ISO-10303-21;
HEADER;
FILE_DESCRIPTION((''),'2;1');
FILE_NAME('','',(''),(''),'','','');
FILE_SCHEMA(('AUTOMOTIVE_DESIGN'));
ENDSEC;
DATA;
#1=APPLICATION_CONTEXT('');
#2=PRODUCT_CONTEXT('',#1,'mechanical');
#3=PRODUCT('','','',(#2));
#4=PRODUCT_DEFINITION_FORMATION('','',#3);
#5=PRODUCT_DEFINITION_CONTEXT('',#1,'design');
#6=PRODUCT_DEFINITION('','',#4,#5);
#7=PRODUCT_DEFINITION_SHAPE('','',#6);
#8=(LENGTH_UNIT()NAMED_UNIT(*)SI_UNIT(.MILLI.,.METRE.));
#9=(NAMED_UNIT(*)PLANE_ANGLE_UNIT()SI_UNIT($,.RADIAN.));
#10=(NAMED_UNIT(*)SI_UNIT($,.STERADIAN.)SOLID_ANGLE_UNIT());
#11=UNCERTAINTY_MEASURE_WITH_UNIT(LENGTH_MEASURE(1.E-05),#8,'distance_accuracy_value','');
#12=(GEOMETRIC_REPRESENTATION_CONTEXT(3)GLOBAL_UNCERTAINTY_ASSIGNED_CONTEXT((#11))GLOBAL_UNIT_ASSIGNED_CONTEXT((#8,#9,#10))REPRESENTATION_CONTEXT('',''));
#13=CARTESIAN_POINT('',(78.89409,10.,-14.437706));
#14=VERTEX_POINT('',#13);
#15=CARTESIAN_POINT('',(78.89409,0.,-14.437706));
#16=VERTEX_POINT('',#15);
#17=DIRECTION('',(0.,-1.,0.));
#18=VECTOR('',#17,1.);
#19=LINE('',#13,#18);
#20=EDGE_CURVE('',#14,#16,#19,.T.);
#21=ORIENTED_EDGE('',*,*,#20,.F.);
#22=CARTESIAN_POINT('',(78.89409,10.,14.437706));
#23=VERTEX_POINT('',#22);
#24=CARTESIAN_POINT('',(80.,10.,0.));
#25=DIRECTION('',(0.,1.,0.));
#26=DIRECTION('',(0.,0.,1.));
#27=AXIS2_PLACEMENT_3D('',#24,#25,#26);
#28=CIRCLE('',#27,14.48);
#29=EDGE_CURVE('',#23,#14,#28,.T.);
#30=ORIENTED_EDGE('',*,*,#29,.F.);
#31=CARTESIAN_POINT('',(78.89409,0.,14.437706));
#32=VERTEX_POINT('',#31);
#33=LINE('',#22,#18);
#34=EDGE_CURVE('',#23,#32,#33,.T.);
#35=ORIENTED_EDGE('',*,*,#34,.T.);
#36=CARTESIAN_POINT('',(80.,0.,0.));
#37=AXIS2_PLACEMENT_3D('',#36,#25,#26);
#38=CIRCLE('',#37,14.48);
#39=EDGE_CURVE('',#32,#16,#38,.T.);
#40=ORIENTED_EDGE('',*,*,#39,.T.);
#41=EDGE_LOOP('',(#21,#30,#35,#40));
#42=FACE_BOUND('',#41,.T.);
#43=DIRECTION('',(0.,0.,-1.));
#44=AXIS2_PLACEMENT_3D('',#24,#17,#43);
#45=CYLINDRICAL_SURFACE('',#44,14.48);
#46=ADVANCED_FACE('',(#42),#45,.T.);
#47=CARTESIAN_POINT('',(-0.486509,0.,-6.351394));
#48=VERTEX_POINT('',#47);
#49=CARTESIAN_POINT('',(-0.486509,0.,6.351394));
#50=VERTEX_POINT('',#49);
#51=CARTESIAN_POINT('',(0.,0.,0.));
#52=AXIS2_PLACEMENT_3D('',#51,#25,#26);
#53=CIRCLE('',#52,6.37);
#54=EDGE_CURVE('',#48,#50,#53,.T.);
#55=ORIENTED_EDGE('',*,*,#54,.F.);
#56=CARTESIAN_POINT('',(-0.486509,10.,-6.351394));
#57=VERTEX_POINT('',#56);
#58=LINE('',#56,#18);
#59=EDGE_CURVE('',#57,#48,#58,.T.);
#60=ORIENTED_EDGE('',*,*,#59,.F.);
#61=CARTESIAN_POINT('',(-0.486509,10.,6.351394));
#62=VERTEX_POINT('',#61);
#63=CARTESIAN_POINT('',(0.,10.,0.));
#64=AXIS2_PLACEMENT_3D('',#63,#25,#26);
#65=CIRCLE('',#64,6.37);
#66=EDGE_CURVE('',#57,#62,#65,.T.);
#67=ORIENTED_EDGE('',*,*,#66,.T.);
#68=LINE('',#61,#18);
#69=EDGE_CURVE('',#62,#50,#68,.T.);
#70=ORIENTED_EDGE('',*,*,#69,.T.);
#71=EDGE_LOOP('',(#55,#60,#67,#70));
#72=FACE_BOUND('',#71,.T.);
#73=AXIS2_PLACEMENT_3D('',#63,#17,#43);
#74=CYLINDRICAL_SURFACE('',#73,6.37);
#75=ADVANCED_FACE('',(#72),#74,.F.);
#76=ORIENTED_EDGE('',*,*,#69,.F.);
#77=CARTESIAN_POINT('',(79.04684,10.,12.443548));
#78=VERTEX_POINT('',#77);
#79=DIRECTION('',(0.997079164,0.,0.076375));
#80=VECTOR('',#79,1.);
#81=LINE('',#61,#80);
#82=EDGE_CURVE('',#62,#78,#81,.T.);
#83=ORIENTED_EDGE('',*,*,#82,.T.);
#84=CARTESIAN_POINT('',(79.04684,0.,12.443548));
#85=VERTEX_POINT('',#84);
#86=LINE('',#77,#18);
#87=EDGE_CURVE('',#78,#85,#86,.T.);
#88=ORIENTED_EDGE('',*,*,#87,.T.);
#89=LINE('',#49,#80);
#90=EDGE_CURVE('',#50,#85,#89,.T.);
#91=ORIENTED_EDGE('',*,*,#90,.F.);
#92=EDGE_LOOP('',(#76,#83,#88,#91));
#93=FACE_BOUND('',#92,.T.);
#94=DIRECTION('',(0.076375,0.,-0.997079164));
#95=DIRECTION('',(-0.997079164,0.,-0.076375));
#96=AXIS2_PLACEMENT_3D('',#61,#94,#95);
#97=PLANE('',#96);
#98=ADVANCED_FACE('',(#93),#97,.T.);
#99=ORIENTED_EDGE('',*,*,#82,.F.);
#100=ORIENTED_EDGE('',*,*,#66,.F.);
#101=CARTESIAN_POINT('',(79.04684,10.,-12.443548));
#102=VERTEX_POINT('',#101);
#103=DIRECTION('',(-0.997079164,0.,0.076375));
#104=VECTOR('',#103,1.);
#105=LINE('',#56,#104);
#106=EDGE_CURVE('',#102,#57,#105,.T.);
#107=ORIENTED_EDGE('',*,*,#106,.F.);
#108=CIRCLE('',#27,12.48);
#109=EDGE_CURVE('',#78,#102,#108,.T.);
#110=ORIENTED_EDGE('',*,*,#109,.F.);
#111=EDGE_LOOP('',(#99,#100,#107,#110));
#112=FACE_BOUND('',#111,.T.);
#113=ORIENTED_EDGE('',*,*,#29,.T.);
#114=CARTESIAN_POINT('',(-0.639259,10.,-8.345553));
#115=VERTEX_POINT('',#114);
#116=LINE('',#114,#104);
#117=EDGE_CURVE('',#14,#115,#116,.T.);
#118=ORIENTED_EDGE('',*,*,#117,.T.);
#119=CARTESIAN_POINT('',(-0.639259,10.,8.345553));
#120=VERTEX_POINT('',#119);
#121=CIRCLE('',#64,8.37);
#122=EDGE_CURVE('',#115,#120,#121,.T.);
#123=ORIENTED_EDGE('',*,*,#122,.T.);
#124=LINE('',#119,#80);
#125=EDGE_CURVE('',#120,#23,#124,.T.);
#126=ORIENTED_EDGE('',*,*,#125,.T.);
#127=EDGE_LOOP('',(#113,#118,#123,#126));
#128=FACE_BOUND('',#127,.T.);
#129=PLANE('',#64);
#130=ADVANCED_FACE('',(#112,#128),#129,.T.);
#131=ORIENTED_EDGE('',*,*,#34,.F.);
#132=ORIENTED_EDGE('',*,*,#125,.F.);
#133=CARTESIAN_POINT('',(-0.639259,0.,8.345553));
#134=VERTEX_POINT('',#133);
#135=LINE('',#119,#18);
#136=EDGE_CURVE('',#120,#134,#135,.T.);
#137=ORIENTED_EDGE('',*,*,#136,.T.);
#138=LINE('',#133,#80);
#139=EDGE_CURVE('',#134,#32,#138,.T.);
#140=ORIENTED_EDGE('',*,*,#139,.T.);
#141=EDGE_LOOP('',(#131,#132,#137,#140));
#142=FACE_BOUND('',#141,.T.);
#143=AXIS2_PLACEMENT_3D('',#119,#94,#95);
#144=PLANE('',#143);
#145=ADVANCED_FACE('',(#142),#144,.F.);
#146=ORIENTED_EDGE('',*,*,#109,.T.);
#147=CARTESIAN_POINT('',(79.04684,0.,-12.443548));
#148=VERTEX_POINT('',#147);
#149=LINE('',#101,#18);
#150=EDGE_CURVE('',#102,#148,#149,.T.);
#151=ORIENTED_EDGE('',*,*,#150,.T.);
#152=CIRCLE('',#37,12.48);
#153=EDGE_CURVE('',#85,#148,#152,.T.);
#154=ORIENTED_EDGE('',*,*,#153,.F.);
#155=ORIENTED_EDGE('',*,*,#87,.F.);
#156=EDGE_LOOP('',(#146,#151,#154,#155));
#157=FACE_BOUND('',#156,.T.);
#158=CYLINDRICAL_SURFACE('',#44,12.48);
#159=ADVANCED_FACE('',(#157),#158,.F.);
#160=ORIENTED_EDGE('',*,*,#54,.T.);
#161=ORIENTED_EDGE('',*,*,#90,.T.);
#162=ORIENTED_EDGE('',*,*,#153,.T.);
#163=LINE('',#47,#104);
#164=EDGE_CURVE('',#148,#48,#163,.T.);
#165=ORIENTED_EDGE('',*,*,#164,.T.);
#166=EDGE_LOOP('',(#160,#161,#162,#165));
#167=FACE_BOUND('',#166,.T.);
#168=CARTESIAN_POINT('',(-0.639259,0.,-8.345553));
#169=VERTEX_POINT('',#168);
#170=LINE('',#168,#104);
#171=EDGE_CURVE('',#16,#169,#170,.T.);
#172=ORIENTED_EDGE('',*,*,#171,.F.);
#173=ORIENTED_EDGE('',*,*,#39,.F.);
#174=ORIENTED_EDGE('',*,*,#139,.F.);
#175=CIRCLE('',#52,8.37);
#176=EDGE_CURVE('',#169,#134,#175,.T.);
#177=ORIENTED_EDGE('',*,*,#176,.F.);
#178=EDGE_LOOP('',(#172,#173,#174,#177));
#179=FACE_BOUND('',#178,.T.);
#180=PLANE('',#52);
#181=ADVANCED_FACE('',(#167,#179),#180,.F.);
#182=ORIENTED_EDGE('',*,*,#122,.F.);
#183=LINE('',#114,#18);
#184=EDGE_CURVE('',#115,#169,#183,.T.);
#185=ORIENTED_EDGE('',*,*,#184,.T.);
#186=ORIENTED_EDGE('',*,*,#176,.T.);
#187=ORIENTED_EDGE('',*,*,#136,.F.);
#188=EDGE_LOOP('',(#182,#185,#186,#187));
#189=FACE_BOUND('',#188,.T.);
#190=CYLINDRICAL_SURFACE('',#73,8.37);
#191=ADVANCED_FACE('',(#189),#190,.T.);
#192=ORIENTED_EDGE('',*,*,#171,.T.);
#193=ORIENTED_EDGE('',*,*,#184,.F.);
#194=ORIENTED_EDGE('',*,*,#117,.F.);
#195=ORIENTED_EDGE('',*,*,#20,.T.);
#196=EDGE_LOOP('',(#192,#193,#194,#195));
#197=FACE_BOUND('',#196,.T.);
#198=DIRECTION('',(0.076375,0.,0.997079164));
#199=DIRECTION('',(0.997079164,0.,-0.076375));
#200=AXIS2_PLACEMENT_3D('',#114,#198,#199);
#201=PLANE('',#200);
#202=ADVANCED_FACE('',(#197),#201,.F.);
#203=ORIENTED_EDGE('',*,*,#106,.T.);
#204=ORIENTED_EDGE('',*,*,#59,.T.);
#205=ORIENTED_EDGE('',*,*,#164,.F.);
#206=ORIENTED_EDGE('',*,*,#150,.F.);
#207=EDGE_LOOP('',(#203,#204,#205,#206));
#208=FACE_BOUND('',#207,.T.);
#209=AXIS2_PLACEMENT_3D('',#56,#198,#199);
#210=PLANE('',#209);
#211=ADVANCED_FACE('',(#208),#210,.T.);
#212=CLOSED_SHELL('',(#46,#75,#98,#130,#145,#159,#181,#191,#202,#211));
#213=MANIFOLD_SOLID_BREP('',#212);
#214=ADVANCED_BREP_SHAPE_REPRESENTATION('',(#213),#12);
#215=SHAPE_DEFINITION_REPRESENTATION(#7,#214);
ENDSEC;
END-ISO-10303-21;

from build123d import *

# Parameters (mm, degrees)
BOSS_EXTRUDE1_DEPTH = 10


with BuildPart() as part:
    # Sketch1 → Boss-Extrude1 (new body)
    with BuildSketch(Plane(origin=(0, 0, 0), x_dir=(1, 0, 0), z_dir=(0, 1, 0))):
        with BuildLine():
            Line((-0.63925875, 8.345552603), (78.89409, 14.437706295))
            ThreePointArc((78.89409, 14.437706295), (94.48, 0), (78.89409, -14.437706295))
            Line((78.89409, -14.437706295), (-0.63925875, -8.345552603))
            ThreePointArc((-0.63925875, -8.345552603), (-8.37, 0), (-0.63925875, 8.345552603))
        make_face()
        with BuildLine():
            Line((-0.48650875, 6.351394275), (79.04684, 12.443547967))
            ThreePointArc((79.04684, 12.443547967), (92.48, 0), (79.04684, -12.443547967))
            Line((79.04684, -12.443547967), (-0.48650875, -6.351394275))
            ThreePointArc((-0.48650875, -6.351394275), (-6.37, 0), (-0.48650875, 6.351394275))
        make_face(mode=Mode.SUBTRACT)
    extrude(amount=BOSS_EXTRUDE1_DEPTH)


solid = part.part
